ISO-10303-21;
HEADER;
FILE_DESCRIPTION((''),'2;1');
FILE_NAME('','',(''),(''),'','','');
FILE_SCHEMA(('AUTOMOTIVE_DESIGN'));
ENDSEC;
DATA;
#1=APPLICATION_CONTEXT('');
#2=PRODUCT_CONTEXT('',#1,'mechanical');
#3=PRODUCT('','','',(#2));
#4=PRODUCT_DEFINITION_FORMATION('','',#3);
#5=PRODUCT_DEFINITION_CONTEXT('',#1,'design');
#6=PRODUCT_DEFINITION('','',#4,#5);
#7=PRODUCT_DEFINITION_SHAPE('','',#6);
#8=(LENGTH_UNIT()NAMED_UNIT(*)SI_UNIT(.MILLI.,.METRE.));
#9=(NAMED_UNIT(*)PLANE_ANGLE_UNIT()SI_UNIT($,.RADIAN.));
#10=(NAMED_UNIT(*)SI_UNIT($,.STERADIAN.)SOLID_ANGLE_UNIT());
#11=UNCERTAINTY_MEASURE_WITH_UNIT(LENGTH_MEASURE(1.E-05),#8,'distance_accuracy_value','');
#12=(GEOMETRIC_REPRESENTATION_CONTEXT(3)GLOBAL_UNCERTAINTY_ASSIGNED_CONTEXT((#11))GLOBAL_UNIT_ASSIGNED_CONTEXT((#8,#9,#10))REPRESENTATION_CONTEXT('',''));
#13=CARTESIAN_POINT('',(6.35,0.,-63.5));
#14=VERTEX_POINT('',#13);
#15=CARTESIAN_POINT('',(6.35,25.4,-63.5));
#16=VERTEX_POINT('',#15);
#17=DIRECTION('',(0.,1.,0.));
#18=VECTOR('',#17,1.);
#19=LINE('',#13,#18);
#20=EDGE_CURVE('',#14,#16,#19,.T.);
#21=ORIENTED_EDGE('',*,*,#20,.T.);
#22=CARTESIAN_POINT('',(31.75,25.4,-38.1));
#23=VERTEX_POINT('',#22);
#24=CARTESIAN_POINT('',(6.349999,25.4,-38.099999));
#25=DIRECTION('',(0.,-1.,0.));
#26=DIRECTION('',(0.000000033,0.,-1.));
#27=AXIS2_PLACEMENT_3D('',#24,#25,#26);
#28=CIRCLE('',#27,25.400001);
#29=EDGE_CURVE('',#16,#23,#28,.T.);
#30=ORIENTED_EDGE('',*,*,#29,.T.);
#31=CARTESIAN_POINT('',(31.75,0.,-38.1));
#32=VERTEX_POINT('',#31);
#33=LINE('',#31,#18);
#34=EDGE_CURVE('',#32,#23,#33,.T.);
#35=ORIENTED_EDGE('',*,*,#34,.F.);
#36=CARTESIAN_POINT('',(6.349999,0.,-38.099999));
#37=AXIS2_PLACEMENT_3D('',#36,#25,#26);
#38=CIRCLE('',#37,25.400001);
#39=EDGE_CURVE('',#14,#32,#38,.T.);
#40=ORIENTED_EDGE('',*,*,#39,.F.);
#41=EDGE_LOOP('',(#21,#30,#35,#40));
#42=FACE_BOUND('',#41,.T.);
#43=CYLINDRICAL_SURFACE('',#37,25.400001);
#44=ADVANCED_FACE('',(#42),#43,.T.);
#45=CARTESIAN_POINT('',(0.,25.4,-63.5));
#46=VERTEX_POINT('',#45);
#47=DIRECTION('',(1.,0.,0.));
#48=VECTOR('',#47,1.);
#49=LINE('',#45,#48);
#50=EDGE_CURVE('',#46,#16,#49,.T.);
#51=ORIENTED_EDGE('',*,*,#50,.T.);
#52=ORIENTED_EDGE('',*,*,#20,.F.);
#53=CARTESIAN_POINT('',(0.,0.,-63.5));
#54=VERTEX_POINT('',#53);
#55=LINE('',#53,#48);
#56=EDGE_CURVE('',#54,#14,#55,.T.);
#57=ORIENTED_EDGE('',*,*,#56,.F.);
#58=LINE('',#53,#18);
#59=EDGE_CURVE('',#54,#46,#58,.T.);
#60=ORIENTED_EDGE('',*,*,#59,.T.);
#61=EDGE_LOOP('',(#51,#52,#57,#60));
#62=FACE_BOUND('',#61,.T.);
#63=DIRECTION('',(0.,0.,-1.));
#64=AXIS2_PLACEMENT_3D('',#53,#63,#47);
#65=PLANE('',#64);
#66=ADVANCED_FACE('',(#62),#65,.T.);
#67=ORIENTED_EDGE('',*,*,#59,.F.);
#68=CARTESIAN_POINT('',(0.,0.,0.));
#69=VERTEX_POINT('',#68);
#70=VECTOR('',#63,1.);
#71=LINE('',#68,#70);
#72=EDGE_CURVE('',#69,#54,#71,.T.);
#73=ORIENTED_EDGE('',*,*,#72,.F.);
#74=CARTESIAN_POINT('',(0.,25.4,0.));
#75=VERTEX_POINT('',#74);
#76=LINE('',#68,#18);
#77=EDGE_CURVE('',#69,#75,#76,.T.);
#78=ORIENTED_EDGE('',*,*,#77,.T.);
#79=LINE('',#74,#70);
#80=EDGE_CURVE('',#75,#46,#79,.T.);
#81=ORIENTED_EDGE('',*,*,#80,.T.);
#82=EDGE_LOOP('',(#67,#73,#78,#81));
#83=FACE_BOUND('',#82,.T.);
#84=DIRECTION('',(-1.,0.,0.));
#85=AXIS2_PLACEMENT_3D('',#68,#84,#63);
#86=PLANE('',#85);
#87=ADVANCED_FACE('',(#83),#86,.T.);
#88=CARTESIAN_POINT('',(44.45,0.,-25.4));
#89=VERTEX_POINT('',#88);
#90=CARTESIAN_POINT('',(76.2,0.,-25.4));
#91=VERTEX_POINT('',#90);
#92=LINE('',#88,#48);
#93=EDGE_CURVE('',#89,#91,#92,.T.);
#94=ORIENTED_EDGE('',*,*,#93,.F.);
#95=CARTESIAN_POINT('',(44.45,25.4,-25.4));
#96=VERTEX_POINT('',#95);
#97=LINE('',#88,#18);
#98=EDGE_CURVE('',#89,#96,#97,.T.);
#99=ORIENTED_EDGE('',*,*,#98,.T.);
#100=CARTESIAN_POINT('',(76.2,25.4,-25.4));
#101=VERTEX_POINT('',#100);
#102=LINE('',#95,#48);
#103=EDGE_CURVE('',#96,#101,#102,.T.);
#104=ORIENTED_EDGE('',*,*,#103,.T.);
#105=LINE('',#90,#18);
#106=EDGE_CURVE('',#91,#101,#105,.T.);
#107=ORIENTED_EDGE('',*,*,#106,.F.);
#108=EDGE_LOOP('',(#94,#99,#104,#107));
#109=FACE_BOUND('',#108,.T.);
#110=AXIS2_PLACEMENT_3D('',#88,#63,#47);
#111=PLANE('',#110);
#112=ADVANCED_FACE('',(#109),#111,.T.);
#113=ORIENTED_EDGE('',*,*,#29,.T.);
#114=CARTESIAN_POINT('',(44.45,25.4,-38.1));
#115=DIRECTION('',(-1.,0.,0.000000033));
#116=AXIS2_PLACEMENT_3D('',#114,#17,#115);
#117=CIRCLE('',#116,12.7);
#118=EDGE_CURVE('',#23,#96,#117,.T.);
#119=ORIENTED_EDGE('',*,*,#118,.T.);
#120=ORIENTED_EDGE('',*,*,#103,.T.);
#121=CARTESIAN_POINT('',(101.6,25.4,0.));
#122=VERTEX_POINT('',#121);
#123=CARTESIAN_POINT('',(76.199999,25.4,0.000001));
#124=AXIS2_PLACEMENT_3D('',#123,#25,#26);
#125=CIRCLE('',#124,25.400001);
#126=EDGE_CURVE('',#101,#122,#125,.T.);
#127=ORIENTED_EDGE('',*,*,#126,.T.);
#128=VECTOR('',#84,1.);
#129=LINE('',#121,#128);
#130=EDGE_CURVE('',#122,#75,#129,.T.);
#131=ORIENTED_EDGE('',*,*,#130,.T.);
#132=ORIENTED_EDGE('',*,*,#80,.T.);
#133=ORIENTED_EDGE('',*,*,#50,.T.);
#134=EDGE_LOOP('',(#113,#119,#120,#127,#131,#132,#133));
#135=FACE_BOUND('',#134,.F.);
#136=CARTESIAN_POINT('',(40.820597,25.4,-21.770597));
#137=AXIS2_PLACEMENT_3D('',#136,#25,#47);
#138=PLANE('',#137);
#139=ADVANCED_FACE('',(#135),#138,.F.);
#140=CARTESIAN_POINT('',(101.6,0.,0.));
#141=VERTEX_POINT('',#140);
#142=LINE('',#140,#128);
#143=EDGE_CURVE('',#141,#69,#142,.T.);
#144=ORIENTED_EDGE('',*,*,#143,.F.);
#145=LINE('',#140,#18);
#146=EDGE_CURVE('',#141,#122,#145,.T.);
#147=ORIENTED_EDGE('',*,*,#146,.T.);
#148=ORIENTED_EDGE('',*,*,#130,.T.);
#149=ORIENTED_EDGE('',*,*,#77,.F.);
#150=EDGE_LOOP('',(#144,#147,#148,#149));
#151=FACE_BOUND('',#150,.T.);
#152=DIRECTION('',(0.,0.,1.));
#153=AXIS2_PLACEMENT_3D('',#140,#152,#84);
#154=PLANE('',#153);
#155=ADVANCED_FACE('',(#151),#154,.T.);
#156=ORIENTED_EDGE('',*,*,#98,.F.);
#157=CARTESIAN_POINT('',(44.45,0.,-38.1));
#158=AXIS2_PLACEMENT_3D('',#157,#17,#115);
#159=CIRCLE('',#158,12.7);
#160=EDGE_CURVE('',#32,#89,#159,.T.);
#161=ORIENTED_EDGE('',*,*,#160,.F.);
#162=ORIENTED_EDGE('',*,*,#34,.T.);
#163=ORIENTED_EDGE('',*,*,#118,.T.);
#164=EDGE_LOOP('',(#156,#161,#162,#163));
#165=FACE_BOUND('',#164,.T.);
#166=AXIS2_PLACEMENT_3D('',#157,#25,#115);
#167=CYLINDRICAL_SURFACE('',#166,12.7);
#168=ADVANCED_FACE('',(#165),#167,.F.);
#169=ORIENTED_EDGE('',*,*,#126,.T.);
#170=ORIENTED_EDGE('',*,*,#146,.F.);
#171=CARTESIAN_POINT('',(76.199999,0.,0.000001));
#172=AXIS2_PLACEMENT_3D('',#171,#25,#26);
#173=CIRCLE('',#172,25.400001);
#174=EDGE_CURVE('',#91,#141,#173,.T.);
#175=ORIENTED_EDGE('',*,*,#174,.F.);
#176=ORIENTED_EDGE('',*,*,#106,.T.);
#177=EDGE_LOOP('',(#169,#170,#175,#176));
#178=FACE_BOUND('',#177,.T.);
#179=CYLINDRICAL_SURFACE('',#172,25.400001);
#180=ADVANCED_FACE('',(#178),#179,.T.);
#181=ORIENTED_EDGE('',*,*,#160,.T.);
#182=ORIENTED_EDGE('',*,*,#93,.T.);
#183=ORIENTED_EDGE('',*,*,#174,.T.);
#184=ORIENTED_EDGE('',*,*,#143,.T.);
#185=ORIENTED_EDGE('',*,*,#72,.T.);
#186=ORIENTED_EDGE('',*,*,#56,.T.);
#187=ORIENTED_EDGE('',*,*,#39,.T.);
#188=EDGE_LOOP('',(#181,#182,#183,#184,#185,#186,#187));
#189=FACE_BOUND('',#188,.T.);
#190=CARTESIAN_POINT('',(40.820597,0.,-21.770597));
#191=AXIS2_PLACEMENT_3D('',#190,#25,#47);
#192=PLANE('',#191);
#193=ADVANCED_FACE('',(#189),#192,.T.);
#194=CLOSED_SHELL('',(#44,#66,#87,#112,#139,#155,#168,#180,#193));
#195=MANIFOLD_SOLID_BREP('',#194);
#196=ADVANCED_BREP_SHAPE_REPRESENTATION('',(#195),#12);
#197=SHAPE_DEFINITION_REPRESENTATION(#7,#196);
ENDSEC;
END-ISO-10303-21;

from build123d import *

# Parameters (mm, degrees)
F1_DEPTH = 25.4


with BuildPart() as f1:
    # F0 (on Front) → F1 (new body)
    with BuildSketch(Plane.XZ):
        with BuildLine():
            Line((101.6, 0), (0, 0))
            Line((0, 0), (0, -63.5))
            Line((0, -63.5), (6.35, -63.5))
            ThreePointArc((6.35, -63.5), (24.310512, -56.060512), (31.75, -38.1))
            ThreePointArc((31.75, -38.1), (35.469744, -29.119744), (44.45, -25.4))
            Line((44.45, -25.4), (76.2, -25.4))
            ThreePointArc((76.2, -25.4), (94.160512, -17.960512), (101.6, 0))
        make_face()
    extrude(amount=-F1_DEPTH)


solid = f1.part
